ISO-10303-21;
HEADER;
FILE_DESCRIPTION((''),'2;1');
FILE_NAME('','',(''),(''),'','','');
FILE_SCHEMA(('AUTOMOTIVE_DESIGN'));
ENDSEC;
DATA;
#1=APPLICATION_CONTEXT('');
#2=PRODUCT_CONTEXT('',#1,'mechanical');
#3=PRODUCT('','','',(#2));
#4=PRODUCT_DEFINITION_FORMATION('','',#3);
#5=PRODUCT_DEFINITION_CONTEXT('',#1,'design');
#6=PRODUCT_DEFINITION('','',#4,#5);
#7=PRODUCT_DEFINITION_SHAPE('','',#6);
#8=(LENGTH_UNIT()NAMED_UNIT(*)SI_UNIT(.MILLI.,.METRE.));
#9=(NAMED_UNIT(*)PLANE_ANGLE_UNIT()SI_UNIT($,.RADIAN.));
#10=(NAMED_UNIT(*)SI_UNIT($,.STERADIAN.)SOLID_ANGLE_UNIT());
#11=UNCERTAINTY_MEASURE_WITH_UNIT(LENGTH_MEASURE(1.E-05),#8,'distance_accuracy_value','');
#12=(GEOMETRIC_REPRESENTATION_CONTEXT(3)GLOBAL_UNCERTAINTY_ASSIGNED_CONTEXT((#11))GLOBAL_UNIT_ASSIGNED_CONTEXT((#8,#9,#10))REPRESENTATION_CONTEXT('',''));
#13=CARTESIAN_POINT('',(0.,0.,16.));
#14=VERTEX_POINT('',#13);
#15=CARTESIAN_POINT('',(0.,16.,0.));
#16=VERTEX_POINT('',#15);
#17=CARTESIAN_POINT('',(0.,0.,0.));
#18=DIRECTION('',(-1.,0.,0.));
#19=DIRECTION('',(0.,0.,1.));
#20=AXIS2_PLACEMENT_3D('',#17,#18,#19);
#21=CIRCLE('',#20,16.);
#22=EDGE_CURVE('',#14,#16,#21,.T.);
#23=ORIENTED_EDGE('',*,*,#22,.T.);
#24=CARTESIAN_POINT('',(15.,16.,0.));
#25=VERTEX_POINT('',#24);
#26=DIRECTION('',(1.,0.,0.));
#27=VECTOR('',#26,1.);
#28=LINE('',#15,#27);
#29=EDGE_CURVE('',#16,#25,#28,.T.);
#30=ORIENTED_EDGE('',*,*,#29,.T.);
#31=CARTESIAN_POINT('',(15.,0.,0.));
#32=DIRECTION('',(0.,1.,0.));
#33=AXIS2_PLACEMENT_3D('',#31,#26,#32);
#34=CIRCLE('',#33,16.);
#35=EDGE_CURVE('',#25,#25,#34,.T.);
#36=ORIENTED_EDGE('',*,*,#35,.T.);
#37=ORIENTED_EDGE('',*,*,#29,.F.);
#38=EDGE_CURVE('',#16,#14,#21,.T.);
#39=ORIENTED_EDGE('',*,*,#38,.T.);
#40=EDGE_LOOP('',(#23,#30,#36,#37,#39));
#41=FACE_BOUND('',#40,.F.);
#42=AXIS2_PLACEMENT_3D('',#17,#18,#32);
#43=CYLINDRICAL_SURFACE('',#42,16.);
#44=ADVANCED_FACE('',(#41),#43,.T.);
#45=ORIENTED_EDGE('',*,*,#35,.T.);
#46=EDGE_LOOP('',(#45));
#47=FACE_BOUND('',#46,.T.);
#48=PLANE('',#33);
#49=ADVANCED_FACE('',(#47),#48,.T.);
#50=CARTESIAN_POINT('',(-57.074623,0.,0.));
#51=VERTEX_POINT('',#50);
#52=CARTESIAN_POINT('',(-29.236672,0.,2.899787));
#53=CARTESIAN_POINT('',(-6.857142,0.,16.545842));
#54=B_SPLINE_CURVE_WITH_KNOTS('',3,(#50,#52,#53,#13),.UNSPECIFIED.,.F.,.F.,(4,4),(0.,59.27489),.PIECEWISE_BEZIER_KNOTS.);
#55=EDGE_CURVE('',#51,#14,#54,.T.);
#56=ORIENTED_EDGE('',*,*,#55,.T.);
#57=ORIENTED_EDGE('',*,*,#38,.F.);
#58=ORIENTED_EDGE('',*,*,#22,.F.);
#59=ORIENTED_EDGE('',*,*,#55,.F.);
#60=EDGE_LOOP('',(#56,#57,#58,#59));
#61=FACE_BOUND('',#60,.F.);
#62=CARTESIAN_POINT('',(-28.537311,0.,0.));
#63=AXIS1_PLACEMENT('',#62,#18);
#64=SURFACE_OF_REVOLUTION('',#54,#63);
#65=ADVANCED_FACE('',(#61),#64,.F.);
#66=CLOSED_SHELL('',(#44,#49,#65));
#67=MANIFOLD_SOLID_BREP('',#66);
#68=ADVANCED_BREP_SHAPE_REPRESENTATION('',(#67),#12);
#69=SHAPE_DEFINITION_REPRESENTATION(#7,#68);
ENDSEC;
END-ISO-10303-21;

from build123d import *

# Parameters (mm, degrees)
F2_R     = 16
F3_DEPTH = 15


with BuildPart() as f1:
    # F0 (on Front) → F1 (revolve)
    with BuildSketch(Plane.XZ):
        with BuildLine():
            Line((-57.074623, 0), (0, 0))
            Line((0, 0), (0, 16))
            add(Edge.make_bspline(
                [(-57.074623, 0), (-29.236672, 2.899787), (-6.857142, 16.545842), (0, 16)],
                knots=[0, 0, 0, 0, 59.27489, 59.27489, 59.27489, 59.27489], degree=3))
        make_face()
    revolve(axis=Axis((-28.537311, 0, 0), (-1, 0, 0)))

    # F2 (on Right) → F3 (join)
    with BuildSketch(Plane.YZ):
        Circle(F2_R)
    extrude(amount=F3_DEPTH)


solid = f1.part
